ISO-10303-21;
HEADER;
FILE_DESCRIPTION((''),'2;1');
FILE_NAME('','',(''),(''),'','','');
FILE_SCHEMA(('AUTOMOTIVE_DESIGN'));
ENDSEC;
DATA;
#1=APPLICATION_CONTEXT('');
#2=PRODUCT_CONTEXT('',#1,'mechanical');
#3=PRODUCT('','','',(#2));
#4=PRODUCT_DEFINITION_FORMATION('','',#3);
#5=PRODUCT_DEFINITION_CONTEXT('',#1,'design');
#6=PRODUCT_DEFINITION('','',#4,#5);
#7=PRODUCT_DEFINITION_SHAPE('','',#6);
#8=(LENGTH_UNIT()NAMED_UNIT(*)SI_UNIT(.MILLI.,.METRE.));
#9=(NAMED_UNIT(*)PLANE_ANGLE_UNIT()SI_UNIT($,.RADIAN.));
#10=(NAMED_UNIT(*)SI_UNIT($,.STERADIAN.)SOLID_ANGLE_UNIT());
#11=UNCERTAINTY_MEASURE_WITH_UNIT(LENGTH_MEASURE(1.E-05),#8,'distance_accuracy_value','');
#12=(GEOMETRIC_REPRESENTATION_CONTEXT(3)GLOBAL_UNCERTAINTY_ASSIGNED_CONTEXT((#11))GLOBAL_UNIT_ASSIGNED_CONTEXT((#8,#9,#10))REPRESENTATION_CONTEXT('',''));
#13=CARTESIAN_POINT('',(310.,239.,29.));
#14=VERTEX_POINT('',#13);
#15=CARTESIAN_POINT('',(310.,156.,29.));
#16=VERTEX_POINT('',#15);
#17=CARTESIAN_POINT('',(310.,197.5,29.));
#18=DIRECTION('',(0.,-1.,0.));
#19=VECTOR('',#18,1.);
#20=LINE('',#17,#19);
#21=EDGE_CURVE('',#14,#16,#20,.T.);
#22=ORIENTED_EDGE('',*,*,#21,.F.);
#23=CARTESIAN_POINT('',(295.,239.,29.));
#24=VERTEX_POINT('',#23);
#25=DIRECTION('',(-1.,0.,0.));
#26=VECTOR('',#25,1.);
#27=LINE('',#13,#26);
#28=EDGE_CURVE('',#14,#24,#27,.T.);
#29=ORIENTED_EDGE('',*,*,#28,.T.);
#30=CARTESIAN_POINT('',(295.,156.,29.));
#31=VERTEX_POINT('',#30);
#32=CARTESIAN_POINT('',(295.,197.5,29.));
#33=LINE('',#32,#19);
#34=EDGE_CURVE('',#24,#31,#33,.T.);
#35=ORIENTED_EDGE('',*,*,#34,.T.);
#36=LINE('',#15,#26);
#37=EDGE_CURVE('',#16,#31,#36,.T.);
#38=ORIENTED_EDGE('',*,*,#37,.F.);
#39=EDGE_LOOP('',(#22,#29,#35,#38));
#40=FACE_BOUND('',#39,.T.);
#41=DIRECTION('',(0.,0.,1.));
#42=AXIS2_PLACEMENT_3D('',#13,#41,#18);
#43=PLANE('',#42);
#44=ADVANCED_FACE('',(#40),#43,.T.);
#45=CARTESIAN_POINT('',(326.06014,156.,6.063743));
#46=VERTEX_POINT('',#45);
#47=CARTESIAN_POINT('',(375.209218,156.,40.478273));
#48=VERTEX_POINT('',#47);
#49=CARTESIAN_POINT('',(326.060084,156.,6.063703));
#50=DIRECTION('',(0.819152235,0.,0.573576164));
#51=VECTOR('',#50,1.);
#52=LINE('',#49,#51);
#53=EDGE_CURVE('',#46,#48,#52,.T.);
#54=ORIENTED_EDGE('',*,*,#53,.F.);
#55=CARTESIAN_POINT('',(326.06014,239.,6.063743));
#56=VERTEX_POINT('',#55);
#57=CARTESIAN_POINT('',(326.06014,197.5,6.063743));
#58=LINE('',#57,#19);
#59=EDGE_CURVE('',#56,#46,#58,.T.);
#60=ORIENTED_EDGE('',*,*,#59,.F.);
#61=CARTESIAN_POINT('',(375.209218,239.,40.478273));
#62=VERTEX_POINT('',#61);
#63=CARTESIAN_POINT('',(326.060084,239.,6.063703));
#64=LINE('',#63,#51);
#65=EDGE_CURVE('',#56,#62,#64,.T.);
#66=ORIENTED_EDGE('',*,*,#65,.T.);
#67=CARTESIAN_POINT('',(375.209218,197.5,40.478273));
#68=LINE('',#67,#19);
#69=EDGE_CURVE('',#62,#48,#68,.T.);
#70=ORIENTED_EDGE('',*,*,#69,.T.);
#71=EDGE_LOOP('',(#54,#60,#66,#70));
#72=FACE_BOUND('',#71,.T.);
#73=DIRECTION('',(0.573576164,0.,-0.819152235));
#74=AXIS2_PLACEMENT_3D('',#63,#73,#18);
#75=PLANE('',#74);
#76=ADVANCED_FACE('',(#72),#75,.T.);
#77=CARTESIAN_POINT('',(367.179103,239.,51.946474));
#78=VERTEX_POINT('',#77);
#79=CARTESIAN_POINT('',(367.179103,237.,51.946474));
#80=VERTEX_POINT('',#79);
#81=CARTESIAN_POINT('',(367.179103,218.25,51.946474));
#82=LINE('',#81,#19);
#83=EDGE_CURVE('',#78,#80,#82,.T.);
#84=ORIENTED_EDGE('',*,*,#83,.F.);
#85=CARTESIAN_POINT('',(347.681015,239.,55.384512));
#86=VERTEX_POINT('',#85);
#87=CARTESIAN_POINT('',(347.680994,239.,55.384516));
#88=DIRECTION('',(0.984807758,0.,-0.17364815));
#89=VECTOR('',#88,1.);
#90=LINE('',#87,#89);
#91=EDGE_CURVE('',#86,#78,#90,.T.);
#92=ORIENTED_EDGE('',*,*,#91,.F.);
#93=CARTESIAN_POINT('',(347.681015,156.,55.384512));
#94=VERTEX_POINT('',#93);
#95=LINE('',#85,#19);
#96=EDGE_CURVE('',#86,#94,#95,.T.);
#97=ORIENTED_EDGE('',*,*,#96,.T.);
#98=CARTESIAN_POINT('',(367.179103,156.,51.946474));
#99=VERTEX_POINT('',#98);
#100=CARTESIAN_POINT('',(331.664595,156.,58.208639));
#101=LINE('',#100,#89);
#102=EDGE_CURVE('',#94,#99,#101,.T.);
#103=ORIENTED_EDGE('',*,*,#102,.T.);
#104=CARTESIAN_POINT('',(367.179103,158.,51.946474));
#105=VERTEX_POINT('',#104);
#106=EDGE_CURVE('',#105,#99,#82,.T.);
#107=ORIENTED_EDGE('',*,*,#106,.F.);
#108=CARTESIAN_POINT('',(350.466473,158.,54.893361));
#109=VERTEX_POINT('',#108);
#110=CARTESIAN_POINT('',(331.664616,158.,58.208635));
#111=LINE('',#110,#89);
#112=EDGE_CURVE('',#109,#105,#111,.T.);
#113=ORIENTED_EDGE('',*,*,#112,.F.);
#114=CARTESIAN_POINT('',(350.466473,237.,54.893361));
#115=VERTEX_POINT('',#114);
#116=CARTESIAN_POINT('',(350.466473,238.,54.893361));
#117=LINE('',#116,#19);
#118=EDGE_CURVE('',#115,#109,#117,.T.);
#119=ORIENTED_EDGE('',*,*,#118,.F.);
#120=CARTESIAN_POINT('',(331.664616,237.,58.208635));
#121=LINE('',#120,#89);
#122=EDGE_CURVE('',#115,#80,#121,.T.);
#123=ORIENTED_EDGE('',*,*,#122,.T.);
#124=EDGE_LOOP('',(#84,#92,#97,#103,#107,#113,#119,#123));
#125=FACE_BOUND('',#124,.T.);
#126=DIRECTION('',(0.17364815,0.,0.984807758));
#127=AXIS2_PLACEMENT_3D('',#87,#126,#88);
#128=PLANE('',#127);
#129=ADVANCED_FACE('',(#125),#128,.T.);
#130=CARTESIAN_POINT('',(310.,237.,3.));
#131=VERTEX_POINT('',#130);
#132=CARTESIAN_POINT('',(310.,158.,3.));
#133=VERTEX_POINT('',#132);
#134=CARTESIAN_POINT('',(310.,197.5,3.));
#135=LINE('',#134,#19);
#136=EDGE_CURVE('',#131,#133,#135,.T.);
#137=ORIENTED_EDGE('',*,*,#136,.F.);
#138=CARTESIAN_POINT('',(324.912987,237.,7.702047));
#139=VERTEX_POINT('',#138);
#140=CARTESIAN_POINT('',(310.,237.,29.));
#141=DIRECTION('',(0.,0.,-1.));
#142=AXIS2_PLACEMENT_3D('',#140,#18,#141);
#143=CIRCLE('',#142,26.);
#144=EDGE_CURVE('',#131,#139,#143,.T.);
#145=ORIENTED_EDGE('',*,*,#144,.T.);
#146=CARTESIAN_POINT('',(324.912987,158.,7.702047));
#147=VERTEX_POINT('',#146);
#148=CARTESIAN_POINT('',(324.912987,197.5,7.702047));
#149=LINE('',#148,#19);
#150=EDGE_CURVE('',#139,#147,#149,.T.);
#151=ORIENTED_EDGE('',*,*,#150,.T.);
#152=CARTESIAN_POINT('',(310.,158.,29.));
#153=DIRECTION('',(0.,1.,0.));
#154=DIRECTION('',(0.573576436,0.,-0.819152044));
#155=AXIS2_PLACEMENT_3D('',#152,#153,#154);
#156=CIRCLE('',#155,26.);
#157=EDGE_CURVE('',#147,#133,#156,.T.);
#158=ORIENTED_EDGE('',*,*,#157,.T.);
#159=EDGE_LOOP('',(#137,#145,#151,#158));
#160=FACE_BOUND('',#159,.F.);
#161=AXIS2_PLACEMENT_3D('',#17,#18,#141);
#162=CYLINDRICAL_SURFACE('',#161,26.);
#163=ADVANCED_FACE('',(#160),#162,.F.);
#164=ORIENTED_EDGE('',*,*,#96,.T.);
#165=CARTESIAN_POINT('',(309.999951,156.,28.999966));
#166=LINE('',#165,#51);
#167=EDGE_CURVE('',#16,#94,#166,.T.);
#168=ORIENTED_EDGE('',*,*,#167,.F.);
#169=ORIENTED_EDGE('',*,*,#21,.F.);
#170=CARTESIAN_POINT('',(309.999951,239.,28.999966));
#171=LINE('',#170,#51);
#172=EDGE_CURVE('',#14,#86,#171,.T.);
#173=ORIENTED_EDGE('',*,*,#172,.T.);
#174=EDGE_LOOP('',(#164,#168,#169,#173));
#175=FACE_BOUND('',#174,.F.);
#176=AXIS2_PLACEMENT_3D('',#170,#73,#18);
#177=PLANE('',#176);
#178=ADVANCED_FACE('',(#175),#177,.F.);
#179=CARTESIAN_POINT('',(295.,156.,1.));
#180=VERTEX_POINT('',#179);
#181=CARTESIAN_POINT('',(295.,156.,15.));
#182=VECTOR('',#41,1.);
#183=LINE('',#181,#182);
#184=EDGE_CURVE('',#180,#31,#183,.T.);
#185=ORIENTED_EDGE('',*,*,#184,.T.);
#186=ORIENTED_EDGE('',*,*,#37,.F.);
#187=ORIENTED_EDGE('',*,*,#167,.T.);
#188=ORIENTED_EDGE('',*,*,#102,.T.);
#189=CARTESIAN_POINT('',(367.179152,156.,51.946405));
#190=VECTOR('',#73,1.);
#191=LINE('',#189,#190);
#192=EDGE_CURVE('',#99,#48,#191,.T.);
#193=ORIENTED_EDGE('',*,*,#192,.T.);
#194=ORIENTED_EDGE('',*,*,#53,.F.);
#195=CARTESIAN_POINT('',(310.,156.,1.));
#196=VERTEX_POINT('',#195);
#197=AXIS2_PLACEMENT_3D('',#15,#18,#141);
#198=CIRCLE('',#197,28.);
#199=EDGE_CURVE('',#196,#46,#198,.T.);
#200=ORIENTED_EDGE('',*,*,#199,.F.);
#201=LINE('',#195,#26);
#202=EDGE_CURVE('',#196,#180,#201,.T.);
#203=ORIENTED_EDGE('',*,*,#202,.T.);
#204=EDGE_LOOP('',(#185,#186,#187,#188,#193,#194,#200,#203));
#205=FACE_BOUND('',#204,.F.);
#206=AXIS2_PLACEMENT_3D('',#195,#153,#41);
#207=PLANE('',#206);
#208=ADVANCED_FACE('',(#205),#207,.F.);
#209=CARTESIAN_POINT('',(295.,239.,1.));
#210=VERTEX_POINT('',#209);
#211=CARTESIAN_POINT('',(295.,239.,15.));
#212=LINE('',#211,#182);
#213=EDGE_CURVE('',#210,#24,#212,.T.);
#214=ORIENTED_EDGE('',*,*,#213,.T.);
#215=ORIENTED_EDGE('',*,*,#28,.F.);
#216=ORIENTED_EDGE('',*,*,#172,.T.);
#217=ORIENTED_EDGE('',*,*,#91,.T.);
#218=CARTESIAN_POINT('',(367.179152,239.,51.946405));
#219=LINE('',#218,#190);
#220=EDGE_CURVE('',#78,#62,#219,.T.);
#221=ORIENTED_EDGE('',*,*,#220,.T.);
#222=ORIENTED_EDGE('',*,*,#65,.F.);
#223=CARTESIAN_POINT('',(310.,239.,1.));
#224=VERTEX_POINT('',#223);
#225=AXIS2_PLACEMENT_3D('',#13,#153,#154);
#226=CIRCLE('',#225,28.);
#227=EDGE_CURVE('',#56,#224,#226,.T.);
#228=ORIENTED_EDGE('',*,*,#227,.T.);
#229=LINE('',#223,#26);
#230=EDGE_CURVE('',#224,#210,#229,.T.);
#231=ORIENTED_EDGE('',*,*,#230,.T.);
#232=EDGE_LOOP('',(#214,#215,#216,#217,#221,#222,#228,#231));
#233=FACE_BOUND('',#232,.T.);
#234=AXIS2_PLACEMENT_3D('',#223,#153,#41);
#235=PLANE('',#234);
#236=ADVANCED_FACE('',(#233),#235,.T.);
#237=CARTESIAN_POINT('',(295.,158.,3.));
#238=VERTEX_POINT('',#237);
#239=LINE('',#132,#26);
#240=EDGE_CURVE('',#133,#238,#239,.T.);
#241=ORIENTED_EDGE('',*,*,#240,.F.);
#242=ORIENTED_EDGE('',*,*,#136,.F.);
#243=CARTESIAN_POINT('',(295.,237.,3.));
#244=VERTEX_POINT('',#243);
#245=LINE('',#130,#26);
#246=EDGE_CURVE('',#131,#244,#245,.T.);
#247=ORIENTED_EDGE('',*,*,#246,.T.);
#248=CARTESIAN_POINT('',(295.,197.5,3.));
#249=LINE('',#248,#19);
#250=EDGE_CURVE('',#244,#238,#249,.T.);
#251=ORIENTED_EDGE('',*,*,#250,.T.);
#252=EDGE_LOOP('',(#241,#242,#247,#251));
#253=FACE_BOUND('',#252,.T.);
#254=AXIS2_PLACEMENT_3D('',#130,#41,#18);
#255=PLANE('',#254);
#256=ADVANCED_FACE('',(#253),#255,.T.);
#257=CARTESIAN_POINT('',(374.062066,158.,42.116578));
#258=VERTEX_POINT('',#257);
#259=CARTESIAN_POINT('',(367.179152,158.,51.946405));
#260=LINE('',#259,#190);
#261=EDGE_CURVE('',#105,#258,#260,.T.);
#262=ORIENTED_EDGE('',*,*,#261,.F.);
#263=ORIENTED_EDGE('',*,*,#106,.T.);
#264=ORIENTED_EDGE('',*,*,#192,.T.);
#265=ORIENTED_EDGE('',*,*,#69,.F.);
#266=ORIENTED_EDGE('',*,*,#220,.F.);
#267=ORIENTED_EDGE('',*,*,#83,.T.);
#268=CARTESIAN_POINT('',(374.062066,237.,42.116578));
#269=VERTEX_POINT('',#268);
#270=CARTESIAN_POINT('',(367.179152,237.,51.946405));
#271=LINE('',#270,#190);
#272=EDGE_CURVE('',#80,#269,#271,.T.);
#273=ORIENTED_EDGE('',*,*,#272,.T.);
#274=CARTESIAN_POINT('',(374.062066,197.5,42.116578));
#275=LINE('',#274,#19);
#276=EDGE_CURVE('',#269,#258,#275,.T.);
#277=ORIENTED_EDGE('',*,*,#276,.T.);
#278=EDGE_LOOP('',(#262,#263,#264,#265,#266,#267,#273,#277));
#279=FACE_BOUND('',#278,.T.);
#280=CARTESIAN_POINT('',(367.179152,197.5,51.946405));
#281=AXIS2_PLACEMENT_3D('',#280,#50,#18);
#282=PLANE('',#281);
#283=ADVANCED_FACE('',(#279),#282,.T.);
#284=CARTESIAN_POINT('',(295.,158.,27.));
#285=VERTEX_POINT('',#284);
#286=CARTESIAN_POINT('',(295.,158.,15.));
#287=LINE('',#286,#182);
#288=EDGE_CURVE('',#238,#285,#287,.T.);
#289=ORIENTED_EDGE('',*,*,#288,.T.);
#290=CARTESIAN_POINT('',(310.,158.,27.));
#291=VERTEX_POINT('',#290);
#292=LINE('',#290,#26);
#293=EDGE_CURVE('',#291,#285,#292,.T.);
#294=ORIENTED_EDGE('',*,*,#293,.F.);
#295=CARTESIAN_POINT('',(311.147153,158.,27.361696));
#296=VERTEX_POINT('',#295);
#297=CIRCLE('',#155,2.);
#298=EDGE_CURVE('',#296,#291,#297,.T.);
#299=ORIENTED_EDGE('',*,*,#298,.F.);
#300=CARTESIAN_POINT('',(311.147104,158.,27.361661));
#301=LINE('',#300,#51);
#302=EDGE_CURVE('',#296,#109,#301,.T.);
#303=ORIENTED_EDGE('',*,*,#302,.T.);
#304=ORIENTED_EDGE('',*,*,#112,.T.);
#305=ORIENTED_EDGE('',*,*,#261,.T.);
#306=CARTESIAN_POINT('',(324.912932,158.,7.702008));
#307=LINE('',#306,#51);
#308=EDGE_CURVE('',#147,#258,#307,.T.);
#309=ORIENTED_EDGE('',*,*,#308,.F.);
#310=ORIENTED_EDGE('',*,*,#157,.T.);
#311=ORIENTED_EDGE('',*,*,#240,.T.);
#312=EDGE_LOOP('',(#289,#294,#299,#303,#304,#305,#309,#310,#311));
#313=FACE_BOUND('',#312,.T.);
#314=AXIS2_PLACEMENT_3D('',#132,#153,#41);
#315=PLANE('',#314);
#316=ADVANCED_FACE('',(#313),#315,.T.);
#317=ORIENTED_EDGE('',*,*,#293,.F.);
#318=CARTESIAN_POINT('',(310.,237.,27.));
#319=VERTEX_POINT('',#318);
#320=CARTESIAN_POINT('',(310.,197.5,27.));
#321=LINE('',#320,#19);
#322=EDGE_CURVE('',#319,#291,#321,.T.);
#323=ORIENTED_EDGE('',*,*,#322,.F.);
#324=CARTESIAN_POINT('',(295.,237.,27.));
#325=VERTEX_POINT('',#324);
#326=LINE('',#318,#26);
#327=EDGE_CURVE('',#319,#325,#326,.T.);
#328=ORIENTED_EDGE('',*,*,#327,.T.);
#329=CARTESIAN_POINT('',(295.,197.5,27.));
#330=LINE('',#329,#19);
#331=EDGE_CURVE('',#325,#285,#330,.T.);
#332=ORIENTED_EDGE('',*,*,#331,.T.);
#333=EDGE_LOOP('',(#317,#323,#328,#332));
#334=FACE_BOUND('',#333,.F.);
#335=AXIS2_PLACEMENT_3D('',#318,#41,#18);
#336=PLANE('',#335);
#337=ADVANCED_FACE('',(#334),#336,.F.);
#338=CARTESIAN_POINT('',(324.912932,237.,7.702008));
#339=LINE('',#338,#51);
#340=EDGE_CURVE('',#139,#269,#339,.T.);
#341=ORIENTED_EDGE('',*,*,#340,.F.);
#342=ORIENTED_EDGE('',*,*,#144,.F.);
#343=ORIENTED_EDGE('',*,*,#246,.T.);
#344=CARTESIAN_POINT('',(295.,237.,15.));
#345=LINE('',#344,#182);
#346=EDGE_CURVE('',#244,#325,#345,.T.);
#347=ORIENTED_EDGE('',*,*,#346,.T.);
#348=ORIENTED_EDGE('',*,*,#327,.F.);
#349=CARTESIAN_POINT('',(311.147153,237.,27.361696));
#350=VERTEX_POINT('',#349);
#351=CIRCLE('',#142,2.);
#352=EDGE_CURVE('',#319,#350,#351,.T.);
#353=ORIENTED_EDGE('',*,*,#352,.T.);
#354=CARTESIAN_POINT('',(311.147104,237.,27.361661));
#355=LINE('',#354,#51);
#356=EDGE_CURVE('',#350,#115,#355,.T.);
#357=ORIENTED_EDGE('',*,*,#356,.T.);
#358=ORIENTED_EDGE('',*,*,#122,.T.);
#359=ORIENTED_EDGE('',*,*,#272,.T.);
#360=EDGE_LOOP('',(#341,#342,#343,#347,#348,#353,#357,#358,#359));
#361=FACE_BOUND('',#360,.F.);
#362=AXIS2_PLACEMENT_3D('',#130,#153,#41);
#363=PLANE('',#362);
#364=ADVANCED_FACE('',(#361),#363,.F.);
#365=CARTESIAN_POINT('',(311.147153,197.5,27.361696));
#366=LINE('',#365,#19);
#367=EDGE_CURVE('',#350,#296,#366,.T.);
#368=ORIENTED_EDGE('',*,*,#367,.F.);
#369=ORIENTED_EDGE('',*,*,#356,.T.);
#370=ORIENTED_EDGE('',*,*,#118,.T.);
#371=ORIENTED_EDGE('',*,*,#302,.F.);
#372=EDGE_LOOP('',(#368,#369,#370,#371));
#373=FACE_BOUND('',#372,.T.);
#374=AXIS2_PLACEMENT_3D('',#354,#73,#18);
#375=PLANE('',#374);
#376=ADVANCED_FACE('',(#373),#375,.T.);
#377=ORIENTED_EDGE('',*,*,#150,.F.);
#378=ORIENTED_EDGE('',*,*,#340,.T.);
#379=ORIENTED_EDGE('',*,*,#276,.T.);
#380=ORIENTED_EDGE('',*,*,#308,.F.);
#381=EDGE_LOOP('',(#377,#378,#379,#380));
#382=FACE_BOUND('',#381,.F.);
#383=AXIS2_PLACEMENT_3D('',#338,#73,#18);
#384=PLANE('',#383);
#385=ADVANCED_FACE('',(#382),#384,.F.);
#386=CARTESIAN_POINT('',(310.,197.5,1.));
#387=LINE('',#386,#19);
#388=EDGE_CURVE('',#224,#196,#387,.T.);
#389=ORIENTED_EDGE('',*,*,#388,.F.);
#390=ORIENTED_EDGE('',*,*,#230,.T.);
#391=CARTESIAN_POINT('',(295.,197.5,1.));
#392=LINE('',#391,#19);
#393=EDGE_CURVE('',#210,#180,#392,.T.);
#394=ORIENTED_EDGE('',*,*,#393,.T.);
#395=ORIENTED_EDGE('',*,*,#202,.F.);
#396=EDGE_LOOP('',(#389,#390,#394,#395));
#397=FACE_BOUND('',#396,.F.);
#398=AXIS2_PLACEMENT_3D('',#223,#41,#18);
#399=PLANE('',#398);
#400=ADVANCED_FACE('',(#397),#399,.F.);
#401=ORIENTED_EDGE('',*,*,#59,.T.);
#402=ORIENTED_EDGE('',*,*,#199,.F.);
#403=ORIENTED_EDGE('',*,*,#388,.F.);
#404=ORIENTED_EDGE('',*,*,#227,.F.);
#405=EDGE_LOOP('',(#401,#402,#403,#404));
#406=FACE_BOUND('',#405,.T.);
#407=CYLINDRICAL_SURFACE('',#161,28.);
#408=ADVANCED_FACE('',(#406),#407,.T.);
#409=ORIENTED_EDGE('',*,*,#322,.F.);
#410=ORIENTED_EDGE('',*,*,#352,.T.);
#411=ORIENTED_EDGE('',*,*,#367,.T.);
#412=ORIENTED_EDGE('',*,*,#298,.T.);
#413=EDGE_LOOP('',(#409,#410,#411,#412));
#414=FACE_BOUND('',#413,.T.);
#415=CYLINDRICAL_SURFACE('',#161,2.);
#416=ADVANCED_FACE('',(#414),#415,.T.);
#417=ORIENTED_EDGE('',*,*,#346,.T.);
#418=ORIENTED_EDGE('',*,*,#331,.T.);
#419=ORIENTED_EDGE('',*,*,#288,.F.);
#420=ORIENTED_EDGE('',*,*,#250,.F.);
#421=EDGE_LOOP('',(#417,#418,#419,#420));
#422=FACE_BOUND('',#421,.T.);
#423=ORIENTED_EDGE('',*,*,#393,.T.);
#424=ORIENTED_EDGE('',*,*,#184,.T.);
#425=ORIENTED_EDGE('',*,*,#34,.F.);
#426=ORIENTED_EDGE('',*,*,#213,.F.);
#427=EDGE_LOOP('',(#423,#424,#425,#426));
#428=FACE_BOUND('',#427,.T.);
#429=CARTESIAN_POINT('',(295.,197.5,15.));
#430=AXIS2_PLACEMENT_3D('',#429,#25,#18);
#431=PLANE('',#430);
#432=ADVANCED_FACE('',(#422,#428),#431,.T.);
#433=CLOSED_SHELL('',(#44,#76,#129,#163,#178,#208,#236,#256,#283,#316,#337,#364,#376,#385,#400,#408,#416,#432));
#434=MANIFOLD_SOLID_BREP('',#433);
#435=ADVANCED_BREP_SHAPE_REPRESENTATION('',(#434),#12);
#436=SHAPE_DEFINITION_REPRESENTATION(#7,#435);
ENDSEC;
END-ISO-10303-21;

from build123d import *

# Parameters (mm, degrees)
SKETCH019_W             = 83
SKETCH019_H             = 28
SKETCH019_W_2           = 79
SKETCH019_H_2           = 24
REVOLUTION_ANGLE        = 35
SKETCH020_W             = 83
SKETCH020_H             = 28
SKETCH020_W_2           = 79
SKETCH020_H_2           = 24
PAD010_DEPTH            = 60
POCKET006_DEPTH         = 83.001
SKETCH022_W             = 83
SKETCH022_H             = 28
SKETCH022_W_2           = 79
SKETCH022_H_2           = 24
PAD011_DEPTH            = 15
BODY005_PLACEMENT_ANGLE = 180


with BuildPart() as part:
    # Sketch019 → Revolution (revolve)
    with BuildSketch(Plane(origin=(310, 156, 1), x_dir=(0, 1, 0), z_dir=(1, 0, 0))):
        with Locations((41.5, 14)):
            Rectangle(SKETCH019_W, SKETCH019_H)
        with Locations((41.5, 14)):
            Rectangle(SKETCH019_W_2, SKETCH019_H_2, mode=Mode.SUBTRACT)
    revolve(axis=Axis((310, 156, 1), (0, 1, 0)), revolution_arc=REVOLUTION_ANGLE)

    # Sketch020 (on Face9 of Revolution) → Pad010 (new body)
    with BuildSketch(Plane(origin=(207.543276, 0, -145.323366), x_dir=(0, 1, 0), z_dir=(0.819152, 0, -0.573576))):
        with Locations((197.5, 192.627847)):
            Rectangle(SKETCH020_W, SKETCH020_H)
        with Locations((197.5, 192.627847)):
            Rectangle(SKETCH020_W_2, SKETCH020_H_2, mode=Mode.SUBTRACT)
    extrude(amount=PAD010_DEPTH)

    # Sketch021 (on Face11 of Pad010) → Pocket006 (cut, through all)
    with BuildSketch(Plane(origin=(0, 156, 0), x_dir=(0, 0, -1), z_dir=(0, -1, 0))):
        Polygon((21.946458, 367.179193), (33.414586, 359.149123), (25.384516, 347.680994), align=None)
    extrude(amount=-POCKET006_DEPTH, mode=Mode.SUBTRACT)

    # Sketch022 (on Face4 of Pocket006) → Pad011 (join)
    with BuildSketch(Plane(origin=(310, 0, 0), x_dir=(0, 1, 0), z_dir=(-1, 0, 0))):
        with Locations((197.5, -15)):
            Rectangle(SKETCH022_W, SKETCH022_H)
        with Locations((197.5, -15)):
            Rectangle(SKETCH022_W_2, SKETCH022_H_2, mode=Mode.SUBTRACT)
    extrude(amount=PAD011_DEPTH)


with BuildPart() as part_1:
    # Body005 placement: moved
    add(part.part.moved(Location((0, 395, 30))).rotate(Axis((0, 395, 30), (1, 0, 0)), BODY005_PLACEMENT_ANGLE))


solid = part_1.part
